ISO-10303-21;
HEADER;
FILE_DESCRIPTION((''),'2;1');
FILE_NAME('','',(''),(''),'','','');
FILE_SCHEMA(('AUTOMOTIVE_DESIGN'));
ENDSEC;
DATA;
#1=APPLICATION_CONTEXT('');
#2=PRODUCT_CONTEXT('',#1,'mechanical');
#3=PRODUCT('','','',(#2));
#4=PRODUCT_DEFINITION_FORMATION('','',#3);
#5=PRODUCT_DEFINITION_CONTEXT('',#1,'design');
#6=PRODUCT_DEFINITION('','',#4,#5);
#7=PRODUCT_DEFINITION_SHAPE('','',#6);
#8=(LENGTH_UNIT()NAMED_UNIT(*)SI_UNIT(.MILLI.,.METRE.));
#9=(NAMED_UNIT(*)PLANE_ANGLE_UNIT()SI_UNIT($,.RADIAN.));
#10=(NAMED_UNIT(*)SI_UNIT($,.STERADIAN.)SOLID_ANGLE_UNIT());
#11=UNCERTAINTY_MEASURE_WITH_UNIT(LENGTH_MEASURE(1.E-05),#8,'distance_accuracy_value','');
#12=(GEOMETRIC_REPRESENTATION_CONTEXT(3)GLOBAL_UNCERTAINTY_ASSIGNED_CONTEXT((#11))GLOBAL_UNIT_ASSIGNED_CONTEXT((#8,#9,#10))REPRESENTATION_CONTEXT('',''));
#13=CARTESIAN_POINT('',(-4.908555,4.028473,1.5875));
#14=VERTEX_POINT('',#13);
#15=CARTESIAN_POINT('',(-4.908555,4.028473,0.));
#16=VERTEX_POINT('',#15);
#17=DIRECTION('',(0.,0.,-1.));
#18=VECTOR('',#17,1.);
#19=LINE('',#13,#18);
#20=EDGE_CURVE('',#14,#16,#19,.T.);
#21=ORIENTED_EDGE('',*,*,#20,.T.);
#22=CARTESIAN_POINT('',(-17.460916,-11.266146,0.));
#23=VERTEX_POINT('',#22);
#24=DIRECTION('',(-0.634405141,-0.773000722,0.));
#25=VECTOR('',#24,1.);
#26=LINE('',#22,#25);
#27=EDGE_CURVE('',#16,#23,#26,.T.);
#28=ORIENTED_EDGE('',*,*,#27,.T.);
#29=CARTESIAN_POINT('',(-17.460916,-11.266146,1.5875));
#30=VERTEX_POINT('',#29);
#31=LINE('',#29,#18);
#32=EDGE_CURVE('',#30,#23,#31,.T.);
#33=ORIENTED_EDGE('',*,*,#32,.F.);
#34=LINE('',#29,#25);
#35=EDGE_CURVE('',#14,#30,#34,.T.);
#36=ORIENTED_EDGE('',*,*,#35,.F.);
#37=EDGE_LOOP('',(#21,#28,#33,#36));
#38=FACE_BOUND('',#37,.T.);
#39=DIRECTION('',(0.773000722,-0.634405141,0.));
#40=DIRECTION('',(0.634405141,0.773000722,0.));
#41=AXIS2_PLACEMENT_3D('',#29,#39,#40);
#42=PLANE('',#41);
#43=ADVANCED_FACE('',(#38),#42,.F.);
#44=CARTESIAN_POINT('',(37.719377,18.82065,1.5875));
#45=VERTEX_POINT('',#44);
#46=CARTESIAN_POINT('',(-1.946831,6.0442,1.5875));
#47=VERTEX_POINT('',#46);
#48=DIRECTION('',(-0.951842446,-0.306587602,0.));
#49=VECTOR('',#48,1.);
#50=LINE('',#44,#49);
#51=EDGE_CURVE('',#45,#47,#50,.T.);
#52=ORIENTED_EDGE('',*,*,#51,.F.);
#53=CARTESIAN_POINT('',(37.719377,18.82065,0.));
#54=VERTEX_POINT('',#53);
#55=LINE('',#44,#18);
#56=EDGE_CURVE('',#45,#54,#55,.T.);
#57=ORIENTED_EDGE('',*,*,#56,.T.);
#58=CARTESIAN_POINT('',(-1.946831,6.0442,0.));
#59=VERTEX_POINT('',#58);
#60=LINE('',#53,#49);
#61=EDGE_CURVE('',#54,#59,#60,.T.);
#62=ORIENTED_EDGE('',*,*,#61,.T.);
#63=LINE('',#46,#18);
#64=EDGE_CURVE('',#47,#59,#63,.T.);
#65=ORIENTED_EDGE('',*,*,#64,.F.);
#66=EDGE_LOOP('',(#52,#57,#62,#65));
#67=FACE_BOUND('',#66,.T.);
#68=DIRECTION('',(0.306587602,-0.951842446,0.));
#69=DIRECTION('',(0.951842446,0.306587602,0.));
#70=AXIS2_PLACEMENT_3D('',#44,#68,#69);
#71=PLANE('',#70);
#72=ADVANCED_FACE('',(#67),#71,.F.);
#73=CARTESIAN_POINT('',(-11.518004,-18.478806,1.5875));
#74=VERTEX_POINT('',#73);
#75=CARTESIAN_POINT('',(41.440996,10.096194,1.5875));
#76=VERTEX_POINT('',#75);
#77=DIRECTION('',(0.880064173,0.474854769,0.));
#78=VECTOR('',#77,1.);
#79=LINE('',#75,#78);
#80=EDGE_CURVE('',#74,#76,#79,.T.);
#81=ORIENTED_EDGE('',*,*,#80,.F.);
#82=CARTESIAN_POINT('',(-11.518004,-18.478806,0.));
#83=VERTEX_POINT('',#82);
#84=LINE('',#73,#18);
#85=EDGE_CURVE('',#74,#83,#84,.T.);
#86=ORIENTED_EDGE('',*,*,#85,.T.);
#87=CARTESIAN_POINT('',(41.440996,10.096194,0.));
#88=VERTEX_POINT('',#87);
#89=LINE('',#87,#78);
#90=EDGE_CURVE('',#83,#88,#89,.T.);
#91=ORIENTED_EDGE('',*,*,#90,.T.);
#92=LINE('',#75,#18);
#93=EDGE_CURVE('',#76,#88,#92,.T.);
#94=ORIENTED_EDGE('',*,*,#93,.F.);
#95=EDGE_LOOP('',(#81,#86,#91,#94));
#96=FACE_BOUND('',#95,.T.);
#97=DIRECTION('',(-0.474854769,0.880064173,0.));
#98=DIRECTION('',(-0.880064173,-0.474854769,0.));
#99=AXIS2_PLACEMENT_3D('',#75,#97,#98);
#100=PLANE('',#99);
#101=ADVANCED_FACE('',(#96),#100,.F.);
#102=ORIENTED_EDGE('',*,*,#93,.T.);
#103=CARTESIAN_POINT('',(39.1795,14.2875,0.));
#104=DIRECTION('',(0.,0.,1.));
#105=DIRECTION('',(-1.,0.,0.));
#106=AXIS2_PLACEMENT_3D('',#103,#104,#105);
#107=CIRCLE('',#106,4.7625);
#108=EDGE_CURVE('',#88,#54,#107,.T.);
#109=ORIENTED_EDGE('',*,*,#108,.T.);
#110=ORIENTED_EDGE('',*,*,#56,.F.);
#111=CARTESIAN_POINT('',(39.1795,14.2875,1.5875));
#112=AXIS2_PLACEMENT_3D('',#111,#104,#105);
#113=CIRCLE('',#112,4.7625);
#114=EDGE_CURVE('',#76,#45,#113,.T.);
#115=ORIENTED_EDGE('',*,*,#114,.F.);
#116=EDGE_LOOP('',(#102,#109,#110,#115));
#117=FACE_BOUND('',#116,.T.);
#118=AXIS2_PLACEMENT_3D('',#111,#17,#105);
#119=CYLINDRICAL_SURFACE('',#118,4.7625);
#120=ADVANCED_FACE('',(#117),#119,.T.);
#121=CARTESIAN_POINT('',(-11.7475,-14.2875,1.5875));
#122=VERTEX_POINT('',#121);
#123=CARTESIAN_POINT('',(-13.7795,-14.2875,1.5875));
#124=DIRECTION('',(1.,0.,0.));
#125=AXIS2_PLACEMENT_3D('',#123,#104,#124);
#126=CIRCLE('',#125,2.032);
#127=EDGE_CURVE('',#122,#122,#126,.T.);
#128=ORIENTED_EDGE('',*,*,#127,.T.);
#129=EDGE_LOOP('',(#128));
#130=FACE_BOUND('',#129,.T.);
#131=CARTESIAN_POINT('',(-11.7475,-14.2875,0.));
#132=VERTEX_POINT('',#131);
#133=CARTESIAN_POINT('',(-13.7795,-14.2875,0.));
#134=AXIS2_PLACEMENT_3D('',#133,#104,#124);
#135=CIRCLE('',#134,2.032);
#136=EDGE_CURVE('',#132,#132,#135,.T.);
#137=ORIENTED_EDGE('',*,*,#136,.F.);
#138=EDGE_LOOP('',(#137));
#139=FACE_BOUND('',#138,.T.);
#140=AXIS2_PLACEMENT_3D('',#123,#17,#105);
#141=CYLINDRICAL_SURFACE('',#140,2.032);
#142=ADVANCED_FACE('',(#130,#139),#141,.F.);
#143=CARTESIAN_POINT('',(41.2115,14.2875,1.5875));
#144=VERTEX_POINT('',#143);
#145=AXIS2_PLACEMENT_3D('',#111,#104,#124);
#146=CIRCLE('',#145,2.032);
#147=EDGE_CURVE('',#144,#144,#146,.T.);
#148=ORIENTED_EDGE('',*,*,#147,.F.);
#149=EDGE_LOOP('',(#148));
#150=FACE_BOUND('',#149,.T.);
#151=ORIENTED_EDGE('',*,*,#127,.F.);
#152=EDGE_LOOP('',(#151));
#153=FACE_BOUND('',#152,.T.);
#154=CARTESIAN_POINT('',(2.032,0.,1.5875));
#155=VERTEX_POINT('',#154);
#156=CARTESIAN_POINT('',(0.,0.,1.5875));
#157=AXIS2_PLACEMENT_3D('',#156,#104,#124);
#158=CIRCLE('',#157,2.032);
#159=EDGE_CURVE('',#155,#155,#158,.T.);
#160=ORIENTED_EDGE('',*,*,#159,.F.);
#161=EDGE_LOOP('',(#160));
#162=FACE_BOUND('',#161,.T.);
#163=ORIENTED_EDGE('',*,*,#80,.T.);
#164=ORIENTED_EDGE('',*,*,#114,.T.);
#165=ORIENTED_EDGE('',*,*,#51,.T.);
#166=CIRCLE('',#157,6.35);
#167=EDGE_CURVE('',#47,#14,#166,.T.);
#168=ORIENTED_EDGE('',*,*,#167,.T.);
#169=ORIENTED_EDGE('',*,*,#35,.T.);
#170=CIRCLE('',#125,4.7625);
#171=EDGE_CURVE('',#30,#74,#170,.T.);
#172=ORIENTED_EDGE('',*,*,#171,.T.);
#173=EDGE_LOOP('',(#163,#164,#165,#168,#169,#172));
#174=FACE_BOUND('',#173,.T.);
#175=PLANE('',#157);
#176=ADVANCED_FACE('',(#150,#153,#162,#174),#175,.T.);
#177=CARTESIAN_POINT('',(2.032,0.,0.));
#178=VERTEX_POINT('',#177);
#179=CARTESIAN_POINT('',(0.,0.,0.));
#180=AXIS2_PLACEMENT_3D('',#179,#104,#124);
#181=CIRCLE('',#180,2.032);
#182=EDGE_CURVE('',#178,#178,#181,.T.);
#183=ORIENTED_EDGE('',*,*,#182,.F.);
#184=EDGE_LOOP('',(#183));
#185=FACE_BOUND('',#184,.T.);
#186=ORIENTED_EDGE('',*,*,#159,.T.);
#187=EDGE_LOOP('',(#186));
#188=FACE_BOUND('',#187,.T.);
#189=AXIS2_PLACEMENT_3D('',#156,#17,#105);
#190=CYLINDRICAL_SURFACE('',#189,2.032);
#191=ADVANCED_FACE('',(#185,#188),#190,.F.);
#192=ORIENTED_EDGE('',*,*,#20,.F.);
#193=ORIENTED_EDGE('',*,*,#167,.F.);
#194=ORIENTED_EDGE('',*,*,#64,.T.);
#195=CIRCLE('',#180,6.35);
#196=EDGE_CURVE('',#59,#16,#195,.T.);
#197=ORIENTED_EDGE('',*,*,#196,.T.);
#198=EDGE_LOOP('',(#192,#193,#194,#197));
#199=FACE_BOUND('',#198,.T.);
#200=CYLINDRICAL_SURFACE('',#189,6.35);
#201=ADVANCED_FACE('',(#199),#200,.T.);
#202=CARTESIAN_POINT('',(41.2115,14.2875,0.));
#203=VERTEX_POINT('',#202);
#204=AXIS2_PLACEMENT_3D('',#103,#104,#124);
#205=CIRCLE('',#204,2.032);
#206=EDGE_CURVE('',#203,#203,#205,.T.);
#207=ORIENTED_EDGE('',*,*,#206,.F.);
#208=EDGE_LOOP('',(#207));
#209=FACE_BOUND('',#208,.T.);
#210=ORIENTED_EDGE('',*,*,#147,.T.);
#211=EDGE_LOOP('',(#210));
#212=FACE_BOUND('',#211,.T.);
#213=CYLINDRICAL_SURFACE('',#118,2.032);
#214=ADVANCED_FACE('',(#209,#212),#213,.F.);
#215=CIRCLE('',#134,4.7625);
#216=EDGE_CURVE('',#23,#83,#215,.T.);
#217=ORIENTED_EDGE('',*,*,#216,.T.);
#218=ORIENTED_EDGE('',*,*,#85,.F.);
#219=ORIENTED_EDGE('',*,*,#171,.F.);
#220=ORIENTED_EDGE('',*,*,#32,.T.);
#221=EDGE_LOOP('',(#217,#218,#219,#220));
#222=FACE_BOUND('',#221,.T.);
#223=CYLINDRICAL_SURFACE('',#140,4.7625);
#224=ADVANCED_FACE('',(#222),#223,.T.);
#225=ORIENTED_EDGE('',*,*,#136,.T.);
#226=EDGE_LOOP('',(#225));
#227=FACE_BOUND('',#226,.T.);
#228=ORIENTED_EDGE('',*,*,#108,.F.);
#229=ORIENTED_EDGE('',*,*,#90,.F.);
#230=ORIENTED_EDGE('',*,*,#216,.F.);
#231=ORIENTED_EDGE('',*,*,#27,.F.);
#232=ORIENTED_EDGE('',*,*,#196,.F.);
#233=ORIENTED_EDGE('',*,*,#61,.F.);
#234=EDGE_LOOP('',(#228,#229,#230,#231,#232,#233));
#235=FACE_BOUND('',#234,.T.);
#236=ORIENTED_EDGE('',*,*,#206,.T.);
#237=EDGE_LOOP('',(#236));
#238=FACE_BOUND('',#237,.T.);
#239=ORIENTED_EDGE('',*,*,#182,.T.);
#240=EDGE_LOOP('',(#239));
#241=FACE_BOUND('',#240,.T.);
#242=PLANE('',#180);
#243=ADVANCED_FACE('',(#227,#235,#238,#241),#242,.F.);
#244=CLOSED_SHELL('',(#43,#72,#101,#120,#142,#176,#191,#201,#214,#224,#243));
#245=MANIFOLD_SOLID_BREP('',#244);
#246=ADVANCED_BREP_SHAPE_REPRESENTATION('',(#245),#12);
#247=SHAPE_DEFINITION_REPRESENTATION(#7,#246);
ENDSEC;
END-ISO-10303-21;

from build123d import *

# Parameters (mm, degrees)
SKETCH1_R           = 2.032
BOSS_EXTRUDE1_DEPTH = 1.5875


with BuildPart() as part:
    # Sketch1 → Boss-Extrude1 (new body)
    with BuildSketch(Plane.XY):
        with BuildLine():
            Line((-17.46091594, -11.266145515), (-4.908554587, 4.028472646))
            ThreePointArc((-4.908554587, 4.028472646), (-3.57279548, 5.249536404), (-1.946831272, 6.044199533))
            Line((-1.946831272, 6.044199533), (37.719376546, 18.82064965))
            ThreePointArc((37.719376546, 18.82064965), (43.560091213, 16.156143057), (41.440995839, 10.096194378))
            Line((41.440995839, 10.096194378), (-11.518004161, -18.478805622))
            ThreePointArc((-11.518004161, -18.478805622), (-17.455048902, -17.315989148), (-17.46091594, -11.266145515))
        make_face()
        Circle(SKETCH1_R, mode=Mode.SUBTRACT)
        with Locations((-13.7795, -14.2875)):
            Circle(SKETCH1_R, mode=Mode.SUBTRACT)
        with Locations((39.1795, 14.2875)):
            Circle(SKETCH1_R, mode=Mode.SUBTRACT)
    extrude(amount=BOSS_EXTRUDE1_DEPTH)


solid = part.part
